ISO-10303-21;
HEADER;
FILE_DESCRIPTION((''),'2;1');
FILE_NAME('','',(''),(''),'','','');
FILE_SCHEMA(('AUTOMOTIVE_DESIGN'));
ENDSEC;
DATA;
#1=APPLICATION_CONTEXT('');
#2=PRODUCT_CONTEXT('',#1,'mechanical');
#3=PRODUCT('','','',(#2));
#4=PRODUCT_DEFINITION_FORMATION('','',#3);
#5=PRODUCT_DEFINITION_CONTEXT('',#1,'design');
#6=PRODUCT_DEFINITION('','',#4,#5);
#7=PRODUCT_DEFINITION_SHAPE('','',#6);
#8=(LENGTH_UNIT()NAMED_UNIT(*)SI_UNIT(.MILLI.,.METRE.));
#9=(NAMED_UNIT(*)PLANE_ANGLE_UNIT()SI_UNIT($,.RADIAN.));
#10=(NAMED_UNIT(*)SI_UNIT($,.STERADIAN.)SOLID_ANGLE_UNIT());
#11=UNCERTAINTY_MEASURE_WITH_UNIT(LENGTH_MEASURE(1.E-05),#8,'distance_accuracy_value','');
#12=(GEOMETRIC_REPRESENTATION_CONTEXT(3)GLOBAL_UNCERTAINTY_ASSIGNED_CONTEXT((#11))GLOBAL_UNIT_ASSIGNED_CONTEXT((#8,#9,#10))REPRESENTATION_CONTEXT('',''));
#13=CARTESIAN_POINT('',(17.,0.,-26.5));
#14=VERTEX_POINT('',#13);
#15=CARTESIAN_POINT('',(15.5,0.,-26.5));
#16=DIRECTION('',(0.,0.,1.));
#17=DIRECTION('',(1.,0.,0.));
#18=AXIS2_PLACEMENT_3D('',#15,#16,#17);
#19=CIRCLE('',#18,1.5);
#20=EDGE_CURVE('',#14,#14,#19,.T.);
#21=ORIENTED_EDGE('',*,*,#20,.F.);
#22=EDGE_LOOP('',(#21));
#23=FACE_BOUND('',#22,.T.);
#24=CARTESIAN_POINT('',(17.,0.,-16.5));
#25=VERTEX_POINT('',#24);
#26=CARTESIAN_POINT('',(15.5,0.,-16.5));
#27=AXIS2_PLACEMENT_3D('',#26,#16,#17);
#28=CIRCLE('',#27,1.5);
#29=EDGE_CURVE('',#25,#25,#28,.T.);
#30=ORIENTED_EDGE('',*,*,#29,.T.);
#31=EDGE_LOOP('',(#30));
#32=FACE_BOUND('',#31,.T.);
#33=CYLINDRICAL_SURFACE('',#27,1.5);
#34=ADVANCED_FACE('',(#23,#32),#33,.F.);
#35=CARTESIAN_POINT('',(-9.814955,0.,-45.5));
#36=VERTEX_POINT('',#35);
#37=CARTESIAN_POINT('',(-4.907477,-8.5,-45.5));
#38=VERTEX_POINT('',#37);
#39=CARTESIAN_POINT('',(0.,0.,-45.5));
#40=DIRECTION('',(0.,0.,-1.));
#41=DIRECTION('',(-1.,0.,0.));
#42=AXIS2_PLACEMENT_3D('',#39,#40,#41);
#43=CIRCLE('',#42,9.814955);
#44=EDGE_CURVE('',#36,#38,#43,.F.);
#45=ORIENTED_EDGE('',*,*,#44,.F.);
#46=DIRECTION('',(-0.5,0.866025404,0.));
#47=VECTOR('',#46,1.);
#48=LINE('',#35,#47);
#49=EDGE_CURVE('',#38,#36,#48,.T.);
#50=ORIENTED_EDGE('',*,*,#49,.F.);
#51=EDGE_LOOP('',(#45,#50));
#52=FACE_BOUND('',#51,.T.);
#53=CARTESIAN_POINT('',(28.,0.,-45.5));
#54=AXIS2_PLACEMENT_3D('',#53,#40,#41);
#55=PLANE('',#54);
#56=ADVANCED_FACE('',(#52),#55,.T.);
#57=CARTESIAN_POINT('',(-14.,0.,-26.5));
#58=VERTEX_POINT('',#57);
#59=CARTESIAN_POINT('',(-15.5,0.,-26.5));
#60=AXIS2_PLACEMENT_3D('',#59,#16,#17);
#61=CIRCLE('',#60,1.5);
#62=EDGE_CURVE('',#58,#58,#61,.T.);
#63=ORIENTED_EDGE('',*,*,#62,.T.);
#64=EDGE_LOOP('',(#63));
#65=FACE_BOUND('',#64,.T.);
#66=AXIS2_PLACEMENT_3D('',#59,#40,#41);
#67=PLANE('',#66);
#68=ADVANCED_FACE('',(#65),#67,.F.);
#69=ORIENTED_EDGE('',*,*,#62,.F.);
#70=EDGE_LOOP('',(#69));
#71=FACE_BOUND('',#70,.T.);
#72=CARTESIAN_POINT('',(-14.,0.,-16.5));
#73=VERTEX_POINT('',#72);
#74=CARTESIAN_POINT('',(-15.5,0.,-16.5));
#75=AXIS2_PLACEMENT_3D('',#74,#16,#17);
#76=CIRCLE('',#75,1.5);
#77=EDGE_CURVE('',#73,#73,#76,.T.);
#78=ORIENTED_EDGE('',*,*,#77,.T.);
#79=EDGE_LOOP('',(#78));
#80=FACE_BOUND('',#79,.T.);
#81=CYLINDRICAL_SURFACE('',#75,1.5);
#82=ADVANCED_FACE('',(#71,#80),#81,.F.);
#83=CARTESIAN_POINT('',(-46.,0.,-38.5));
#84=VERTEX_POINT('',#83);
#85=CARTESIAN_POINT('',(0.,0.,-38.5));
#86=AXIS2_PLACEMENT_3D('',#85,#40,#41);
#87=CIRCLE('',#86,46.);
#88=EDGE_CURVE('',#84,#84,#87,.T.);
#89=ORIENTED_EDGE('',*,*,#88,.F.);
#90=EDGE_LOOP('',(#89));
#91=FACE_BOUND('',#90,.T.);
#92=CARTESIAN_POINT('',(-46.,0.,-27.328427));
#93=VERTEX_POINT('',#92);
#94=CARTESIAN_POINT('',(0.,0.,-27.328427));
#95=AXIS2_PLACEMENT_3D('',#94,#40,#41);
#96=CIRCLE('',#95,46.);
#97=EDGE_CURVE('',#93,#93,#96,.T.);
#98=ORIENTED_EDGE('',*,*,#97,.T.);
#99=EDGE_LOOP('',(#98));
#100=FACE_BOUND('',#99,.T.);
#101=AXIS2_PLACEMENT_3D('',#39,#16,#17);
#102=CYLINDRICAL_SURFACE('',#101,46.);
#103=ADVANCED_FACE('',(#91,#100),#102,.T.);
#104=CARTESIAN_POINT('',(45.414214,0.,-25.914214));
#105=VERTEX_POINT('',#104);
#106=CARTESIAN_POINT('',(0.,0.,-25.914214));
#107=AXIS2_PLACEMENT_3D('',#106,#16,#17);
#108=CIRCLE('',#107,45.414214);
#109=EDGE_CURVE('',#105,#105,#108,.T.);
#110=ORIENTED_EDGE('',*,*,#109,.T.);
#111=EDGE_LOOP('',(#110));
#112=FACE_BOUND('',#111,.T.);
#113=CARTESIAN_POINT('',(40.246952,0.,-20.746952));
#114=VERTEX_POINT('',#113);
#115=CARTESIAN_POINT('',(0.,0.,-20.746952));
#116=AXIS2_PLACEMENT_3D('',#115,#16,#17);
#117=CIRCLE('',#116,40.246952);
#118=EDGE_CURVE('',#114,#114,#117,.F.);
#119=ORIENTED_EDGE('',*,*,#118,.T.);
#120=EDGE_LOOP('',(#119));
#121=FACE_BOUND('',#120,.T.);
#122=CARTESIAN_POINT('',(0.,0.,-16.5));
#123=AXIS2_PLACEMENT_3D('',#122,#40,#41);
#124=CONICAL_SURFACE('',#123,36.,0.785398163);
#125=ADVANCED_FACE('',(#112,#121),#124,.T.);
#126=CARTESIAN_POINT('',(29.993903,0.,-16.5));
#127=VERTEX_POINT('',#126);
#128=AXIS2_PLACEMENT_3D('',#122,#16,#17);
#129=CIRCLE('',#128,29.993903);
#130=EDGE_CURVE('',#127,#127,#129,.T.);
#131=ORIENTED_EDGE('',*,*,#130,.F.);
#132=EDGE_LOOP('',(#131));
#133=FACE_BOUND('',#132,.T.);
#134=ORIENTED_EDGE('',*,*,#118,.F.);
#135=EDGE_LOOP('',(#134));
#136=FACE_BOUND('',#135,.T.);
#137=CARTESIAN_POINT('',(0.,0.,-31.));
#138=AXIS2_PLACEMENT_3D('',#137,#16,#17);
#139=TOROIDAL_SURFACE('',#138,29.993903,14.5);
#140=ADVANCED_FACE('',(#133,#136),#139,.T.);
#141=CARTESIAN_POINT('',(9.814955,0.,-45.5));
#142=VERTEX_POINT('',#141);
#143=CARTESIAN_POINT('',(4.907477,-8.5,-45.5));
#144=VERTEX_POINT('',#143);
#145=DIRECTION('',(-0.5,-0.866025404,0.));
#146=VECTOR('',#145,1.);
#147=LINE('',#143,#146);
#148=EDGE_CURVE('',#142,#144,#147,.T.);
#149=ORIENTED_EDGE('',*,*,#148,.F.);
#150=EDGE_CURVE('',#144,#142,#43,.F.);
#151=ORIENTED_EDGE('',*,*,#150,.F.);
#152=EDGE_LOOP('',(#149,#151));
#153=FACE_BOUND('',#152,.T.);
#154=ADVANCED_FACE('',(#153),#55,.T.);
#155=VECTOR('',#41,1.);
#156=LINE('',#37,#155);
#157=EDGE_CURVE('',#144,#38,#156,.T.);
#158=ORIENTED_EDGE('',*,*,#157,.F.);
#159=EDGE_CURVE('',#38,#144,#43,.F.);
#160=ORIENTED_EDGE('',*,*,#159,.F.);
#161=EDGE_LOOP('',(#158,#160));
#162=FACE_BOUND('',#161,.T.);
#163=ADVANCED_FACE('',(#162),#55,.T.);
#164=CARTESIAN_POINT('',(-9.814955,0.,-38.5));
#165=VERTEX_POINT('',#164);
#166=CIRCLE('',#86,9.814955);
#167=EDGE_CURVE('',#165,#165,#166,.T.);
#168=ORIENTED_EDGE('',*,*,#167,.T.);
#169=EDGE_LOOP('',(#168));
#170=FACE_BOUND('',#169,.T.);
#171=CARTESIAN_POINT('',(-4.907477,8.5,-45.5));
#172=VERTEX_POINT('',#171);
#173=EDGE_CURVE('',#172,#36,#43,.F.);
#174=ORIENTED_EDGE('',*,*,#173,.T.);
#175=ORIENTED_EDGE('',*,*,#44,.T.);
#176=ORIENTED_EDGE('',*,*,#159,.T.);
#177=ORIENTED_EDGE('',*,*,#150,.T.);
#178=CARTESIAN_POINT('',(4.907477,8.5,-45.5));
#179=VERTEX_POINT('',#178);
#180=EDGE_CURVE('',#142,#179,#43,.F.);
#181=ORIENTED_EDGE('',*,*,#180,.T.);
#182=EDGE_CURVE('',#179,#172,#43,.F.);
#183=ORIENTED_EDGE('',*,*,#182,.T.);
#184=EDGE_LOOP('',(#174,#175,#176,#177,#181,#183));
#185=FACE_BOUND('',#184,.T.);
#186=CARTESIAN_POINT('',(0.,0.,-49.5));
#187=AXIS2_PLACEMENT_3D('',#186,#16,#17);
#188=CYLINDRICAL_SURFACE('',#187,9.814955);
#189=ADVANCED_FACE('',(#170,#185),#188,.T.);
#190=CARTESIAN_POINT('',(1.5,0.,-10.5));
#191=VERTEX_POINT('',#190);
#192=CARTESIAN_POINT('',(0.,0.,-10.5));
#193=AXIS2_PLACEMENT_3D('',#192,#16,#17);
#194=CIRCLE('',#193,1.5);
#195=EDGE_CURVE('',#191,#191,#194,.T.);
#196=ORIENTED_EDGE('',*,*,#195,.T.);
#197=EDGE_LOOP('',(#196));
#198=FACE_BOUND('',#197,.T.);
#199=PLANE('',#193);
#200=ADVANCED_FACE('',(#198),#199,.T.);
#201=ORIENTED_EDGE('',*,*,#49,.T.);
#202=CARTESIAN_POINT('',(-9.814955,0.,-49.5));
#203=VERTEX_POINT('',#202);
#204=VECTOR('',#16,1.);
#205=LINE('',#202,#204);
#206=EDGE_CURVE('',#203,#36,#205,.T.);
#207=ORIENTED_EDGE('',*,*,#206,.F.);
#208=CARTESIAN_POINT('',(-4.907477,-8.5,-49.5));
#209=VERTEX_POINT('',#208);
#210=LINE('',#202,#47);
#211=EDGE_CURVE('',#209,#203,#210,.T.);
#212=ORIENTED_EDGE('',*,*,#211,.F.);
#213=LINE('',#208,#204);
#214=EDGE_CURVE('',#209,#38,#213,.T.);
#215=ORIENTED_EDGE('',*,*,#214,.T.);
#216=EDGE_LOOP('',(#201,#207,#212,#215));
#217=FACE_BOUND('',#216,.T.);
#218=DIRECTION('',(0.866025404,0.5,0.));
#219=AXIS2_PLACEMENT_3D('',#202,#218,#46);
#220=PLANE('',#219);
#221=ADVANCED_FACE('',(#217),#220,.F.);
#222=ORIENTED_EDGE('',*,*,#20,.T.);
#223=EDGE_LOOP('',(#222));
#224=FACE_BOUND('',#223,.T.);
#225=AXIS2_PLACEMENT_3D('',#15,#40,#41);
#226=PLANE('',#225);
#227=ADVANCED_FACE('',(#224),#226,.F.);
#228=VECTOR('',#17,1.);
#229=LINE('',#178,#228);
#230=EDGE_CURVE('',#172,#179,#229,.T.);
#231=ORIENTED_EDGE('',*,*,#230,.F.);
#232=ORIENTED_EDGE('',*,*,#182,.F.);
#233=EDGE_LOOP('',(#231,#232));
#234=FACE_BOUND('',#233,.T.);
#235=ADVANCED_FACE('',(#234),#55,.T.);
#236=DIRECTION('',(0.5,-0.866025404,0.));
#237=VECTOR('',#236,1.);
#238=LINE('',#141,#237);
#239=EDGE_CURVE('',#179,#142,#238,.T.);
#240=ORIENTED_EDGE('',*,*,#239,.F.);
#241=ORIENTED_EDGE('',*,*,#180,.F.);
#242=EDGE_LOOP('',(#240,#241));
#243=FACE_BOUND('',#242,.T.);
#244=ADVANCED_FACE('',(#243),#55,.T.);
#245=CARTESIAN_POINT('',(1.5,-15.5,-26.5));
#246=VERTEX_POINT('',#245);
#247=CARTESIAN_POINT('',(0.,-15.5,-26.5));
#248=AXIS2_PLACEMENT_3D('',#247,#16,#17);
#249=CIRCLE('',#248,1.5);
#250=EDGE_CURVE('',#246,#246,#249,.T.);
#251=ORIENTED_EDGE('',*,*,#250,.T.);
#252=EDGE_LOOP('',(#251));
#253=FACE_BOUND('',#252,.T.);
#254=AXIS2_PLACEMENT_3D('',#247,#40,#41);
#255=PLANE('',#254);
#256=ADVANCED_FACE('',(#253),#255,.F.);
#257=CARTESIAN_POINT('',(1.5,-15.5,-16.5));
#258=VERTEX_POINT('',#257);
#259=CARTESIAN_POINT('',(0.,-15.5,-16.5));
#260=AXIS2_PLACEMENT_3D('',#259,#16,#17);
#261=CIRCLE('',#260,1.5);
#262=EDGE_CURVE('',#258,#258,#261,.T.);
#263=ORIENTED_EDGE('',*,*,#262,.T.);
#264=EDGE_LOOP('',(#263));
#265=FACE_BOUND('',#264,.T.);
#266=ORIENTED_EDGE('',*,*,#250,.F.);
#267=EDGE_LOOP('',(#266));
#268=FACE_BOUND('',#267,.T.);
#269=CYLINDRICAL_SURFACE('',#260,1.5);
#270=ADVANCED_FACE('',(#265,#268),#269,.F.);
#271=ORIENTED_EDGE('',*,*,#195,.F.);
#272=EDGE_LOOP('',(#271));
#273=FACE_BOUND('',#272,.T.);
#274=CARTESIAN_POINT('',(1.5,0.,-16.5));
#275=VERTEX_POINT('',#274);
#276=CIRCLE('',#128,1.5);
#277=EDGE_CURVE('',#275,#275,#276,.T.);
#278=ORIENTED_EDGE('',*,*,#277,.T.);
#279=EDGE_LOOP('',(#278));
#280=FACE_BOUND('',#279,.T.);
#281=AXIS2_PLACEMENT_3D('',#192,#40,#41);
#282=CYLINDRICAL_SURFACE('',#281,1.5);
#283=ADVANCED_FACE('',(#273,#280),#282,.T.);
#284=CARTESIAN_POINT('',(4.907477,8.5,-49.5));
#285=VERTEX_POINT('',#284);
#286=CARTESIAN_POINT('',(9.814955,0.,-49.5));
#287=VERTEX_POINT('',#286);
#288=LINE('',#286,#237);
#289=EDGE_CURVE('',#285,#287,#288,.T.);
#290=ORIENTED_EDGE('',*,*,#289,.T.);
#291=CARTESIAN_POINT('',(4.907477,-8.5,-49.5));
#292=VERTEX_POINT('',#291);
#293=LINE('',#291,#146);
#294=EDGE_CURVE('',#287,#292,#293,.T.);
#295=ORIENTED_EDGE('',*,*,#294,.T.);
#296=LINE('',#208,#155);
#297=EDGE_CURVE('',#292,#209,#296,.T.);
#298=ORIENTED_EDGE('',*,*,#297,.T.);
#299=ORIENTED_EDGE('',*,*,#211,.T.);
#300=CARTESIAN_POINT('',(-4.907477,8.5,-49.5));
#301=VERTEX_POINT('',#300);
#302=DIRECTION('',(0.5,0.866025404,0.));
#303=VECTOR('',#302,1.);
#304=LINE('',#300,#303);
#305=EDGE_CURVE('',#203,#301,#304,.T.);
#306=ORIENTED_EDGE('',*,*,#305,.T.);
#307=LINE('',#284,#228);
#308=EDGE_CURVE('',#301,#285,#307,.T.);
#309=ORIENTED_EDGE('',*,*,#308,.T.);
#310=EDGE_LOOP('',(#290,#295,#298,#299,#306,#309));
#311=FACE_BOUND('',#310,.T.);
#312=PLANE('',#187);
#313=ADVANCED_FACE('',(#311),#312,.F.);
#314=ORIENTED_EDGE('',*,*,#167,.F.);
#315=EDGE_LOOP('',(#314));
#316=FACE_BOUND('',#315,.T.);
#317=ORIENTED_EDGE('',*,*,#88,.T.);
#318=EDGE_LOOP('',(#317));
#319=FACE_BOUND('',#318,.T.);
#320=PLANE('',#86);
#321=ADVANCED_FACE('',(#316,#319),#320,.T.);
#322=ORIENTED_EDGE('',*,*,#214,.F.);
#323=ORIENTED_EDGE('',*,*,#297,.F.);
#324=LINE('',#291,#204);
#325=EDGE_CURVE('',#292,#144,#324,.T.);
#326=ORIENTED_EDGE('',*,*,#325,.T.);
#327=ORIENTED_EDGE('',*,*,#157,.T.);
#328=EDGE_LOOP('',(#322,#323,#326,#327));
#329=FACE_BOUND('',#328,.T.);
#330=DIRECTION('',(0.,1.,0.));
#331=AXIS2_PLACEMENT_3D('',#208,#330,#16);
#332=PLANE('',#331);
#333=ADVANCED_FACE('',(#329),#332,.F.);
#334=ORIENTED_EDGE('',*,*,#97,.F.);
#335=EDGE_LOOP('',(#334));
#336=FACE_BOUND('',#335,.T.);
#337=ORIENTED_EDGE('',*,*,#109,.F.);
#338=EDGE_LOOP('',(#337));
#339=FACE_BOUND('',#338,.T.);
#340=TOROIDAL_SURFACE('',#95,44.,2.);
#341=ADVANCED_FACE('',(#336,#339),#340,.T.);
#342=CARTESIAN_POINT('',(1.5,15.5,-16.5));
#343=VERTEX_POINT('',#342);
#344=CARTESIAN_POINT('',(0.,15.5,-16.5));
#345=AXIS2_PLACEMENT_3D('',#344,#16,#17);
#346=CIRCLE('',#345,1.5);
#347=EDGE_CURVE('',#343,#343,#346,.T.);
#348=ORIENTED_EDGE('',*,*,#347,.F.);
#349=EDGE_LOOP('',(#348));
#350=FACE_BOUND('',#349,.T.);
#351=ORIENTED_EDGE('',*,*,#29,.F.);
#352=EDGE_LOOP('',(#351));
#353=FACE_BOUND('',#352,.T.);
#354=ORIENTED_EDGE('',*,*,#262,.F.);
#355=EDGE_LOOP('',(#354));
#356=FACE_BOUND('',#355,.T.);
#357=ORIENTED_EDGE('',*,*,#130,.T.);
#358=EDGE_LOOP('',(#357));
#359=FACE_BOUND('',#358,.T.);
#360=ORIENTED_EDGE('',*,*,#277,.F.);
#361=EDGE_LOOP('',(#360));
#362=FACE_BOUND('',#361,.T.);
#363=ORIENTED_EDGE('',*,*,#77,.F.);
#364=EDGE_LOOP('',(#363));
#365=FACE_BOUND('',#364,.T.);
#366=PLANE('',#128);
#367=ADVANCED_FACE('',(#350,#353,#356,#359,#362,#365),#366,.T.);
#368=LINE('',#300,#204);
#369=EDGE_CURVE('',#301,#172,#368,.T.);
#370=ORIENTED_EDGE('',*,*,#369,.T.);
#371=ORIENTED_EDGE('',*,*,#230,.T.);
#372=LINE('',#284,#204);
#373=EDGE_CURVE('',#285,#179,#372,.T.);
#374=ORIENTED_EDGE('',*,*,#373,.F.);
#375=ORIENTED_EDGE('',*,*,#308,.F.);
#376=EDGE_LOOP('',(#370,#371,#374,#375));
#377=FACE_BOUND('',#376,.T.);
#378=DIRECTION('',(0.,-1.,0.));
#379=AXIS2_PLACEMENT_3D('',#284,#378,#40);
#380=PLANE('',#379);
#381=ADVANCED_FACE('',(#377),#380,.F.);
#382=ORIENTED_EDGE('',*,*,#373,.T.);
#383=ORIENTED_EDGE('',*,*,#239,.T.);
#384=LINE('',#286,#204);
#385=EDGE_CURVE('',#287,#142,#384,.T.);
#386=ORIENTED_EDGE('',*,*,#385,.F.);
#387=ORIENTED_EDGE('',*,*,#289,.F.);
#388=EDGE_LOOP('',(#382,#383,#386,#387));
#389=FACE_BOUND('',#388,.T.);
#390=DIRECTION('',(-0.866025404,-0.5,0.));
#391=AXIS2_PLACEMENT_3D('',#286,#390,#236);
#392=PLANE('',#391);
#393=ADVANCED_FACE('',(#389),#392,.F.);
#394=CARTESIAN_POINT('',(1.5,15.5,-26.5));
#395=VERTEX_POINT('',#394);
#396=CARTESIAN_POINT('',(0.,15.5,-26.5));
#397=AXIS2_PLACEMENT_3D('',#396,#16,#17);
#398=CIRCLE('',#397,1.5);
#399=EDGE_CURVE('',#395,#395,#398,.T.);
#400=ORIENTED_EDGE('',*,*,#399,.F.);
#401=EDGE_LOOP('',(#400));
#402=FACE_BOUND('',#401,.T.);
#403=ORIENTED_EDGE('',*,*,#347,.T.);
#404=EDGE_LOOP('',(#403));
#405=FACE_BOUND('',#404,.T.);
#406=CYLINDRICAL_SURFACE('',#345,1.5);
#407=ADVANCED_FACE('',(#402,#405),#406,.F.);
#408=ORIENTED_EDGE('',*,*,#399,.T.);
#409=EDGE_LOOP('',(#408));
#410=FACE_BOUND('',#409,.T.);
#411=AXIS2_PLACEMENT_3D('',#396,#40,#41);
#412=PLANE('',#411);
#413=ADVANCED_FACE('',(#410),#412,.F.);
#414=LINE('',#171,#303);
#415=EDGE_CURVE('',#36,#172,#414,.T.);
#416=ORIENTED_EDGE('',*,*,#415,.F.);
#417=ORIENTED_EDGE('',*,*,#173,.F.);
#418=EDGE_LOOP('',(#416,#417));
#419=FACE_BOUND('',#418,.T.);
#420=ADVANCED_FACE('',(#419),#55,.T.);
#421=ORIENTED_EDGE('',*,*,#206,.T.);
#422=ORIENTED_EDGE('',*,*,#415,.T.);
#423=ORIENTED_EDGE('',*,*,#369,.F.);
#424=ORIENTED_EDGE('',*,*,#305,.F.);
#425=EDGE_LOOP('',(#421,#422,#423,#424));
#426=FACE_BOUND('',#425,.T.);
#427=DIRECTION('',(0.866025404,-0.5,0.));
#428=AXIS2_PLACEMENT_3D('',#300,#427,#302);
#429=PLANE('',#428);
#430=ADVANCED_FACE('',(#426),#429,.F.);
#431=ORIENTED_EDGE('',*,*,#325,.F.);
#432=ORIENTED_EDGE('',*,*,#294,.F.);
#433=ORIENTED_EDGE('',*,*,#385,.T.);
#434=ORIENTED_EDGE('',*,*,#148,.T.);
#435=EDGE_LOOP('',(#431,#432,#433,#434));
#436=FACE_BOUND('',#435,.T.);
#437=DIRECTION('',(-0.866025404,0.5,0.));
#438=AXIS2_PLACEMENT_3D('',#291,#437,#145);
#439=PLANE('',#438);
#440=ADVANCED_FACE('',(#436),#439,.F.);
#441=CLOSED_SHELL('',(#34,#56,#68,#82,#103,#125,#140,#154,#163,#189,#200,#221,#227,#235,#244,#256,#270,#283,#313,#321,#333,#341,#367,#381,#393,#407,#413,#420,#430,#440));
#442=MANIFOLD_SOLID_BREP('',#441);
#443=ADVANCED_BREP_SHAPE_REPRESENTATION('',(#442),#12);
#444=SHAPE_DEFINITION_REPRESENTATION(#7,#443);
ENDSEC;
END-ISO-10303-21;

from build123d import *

# Parameters (mm, degrees)
BOSS_EXTRUDE1_DEPTH          = 4
SKETCH3_R                    = 1.5
BOSS_EXTRUDE2_DEPTH          = 6
F_3_0_3_DIAMETER_HOLE1_D     = 3
F_3_0_3_DIAMETER_HOLE1_DEPTH = 10
FILLET2_R                    = 14.5
FILLET3_R                    = 2
CUT_EXTRUDE1_DEPTH           = 74.871510978
CUT_EXTRUDE1_DEPTH_BACK      = 7
SKETCH8_R                    = 46
SKETCH8_R_2                  = 9.814954576


with BuildPart() as part:
    # Sketch1 → Revolve1 (revolve)
    with BuildSketch(Plane(origin=(0, 0, 0), x_dir=(1, 0, 0), z_dir=(0, 1, 0))):
        Polygon((28, 45.5), (0, 45.5), (0, 16.5), (36, 16.5), (46, 26.5), (46, 40.5), align=None)
    revolve(axis=Axis((0, 0, -45.5), (0, 0, 1)))

    # Sketch2 → Boss-Extrude1 (add)
    with BuildSketch(Plane(origin=(0, 0, -45.5), x_dir=(-1, 0, 0), z_dir=(0, 0, -1))):
        Polygon((-9.814954576, 0), (-4.907477288, 8.5), (4.907477288, 8.5), (9.814954576, 0), (4.907477288, -8.5), (-4.907477288, -8.5), align=None)
    extrude(amount=BOSS_EXTRUDE1_DEPTH)

    # Sketch3 → Boss-Extrude2 (add)
    with BuildSketch(Plane.XY.offset(-16.5)):
        Circle(SKETCH3_R)
    extrude(amount=BOSS_EXTRUDE2_DEPTH)

    # Ø3.0 (3) Diameter Hole1
    with Locations(Plane.XY.offset(-16.5)):
        with Locations((-15.5, 0), (0, 15.5), (0, -15.5), (15.5, 0)):
            Hole(F_3_0_3_DIAMETER_HOLE1_D / 2, depth=F_3_0_3_DIAMETER_HOLE1_DEPTH)

    # Fillet2
    fillet2_edges = [part.edges().sort_by_distance(p)[0] for p in [
        (-36, 0, -16.5),
    ]]
    fillet(fillet2_edges, radius=FILLET2_R)

    # Fillet3
    fillet3_edges = [part.edges().sort_by_distance(p)[0] for p in [
        (-46, 0, -26.5),
    ]]
    fillet(fillet3_edges, radius=FILLET3_R)

    # Sketch8 → Cut-Extrude1 (cut, two sides: drawn at the far end of the back side and taken through both)
    with BuildSketch(Plane(origin=(0, 0, -45.5), x_dir=(-1, 0, 0), z_dir=(0, 0, -1)).offset(-CUT_EXTRUDE1_DEPTH_BACK)):
        Circle(SKETCH8_R)
        Circle(SKETCH8_R_2, mode=Mode.SUBTRACT)
    extrude(amount=CUT_EXTRUDE1_DEPTH + CUT_EXTRUDE1_DEPTH_BACK, mode=Mode.SUBTRACT)


solid = part.part
